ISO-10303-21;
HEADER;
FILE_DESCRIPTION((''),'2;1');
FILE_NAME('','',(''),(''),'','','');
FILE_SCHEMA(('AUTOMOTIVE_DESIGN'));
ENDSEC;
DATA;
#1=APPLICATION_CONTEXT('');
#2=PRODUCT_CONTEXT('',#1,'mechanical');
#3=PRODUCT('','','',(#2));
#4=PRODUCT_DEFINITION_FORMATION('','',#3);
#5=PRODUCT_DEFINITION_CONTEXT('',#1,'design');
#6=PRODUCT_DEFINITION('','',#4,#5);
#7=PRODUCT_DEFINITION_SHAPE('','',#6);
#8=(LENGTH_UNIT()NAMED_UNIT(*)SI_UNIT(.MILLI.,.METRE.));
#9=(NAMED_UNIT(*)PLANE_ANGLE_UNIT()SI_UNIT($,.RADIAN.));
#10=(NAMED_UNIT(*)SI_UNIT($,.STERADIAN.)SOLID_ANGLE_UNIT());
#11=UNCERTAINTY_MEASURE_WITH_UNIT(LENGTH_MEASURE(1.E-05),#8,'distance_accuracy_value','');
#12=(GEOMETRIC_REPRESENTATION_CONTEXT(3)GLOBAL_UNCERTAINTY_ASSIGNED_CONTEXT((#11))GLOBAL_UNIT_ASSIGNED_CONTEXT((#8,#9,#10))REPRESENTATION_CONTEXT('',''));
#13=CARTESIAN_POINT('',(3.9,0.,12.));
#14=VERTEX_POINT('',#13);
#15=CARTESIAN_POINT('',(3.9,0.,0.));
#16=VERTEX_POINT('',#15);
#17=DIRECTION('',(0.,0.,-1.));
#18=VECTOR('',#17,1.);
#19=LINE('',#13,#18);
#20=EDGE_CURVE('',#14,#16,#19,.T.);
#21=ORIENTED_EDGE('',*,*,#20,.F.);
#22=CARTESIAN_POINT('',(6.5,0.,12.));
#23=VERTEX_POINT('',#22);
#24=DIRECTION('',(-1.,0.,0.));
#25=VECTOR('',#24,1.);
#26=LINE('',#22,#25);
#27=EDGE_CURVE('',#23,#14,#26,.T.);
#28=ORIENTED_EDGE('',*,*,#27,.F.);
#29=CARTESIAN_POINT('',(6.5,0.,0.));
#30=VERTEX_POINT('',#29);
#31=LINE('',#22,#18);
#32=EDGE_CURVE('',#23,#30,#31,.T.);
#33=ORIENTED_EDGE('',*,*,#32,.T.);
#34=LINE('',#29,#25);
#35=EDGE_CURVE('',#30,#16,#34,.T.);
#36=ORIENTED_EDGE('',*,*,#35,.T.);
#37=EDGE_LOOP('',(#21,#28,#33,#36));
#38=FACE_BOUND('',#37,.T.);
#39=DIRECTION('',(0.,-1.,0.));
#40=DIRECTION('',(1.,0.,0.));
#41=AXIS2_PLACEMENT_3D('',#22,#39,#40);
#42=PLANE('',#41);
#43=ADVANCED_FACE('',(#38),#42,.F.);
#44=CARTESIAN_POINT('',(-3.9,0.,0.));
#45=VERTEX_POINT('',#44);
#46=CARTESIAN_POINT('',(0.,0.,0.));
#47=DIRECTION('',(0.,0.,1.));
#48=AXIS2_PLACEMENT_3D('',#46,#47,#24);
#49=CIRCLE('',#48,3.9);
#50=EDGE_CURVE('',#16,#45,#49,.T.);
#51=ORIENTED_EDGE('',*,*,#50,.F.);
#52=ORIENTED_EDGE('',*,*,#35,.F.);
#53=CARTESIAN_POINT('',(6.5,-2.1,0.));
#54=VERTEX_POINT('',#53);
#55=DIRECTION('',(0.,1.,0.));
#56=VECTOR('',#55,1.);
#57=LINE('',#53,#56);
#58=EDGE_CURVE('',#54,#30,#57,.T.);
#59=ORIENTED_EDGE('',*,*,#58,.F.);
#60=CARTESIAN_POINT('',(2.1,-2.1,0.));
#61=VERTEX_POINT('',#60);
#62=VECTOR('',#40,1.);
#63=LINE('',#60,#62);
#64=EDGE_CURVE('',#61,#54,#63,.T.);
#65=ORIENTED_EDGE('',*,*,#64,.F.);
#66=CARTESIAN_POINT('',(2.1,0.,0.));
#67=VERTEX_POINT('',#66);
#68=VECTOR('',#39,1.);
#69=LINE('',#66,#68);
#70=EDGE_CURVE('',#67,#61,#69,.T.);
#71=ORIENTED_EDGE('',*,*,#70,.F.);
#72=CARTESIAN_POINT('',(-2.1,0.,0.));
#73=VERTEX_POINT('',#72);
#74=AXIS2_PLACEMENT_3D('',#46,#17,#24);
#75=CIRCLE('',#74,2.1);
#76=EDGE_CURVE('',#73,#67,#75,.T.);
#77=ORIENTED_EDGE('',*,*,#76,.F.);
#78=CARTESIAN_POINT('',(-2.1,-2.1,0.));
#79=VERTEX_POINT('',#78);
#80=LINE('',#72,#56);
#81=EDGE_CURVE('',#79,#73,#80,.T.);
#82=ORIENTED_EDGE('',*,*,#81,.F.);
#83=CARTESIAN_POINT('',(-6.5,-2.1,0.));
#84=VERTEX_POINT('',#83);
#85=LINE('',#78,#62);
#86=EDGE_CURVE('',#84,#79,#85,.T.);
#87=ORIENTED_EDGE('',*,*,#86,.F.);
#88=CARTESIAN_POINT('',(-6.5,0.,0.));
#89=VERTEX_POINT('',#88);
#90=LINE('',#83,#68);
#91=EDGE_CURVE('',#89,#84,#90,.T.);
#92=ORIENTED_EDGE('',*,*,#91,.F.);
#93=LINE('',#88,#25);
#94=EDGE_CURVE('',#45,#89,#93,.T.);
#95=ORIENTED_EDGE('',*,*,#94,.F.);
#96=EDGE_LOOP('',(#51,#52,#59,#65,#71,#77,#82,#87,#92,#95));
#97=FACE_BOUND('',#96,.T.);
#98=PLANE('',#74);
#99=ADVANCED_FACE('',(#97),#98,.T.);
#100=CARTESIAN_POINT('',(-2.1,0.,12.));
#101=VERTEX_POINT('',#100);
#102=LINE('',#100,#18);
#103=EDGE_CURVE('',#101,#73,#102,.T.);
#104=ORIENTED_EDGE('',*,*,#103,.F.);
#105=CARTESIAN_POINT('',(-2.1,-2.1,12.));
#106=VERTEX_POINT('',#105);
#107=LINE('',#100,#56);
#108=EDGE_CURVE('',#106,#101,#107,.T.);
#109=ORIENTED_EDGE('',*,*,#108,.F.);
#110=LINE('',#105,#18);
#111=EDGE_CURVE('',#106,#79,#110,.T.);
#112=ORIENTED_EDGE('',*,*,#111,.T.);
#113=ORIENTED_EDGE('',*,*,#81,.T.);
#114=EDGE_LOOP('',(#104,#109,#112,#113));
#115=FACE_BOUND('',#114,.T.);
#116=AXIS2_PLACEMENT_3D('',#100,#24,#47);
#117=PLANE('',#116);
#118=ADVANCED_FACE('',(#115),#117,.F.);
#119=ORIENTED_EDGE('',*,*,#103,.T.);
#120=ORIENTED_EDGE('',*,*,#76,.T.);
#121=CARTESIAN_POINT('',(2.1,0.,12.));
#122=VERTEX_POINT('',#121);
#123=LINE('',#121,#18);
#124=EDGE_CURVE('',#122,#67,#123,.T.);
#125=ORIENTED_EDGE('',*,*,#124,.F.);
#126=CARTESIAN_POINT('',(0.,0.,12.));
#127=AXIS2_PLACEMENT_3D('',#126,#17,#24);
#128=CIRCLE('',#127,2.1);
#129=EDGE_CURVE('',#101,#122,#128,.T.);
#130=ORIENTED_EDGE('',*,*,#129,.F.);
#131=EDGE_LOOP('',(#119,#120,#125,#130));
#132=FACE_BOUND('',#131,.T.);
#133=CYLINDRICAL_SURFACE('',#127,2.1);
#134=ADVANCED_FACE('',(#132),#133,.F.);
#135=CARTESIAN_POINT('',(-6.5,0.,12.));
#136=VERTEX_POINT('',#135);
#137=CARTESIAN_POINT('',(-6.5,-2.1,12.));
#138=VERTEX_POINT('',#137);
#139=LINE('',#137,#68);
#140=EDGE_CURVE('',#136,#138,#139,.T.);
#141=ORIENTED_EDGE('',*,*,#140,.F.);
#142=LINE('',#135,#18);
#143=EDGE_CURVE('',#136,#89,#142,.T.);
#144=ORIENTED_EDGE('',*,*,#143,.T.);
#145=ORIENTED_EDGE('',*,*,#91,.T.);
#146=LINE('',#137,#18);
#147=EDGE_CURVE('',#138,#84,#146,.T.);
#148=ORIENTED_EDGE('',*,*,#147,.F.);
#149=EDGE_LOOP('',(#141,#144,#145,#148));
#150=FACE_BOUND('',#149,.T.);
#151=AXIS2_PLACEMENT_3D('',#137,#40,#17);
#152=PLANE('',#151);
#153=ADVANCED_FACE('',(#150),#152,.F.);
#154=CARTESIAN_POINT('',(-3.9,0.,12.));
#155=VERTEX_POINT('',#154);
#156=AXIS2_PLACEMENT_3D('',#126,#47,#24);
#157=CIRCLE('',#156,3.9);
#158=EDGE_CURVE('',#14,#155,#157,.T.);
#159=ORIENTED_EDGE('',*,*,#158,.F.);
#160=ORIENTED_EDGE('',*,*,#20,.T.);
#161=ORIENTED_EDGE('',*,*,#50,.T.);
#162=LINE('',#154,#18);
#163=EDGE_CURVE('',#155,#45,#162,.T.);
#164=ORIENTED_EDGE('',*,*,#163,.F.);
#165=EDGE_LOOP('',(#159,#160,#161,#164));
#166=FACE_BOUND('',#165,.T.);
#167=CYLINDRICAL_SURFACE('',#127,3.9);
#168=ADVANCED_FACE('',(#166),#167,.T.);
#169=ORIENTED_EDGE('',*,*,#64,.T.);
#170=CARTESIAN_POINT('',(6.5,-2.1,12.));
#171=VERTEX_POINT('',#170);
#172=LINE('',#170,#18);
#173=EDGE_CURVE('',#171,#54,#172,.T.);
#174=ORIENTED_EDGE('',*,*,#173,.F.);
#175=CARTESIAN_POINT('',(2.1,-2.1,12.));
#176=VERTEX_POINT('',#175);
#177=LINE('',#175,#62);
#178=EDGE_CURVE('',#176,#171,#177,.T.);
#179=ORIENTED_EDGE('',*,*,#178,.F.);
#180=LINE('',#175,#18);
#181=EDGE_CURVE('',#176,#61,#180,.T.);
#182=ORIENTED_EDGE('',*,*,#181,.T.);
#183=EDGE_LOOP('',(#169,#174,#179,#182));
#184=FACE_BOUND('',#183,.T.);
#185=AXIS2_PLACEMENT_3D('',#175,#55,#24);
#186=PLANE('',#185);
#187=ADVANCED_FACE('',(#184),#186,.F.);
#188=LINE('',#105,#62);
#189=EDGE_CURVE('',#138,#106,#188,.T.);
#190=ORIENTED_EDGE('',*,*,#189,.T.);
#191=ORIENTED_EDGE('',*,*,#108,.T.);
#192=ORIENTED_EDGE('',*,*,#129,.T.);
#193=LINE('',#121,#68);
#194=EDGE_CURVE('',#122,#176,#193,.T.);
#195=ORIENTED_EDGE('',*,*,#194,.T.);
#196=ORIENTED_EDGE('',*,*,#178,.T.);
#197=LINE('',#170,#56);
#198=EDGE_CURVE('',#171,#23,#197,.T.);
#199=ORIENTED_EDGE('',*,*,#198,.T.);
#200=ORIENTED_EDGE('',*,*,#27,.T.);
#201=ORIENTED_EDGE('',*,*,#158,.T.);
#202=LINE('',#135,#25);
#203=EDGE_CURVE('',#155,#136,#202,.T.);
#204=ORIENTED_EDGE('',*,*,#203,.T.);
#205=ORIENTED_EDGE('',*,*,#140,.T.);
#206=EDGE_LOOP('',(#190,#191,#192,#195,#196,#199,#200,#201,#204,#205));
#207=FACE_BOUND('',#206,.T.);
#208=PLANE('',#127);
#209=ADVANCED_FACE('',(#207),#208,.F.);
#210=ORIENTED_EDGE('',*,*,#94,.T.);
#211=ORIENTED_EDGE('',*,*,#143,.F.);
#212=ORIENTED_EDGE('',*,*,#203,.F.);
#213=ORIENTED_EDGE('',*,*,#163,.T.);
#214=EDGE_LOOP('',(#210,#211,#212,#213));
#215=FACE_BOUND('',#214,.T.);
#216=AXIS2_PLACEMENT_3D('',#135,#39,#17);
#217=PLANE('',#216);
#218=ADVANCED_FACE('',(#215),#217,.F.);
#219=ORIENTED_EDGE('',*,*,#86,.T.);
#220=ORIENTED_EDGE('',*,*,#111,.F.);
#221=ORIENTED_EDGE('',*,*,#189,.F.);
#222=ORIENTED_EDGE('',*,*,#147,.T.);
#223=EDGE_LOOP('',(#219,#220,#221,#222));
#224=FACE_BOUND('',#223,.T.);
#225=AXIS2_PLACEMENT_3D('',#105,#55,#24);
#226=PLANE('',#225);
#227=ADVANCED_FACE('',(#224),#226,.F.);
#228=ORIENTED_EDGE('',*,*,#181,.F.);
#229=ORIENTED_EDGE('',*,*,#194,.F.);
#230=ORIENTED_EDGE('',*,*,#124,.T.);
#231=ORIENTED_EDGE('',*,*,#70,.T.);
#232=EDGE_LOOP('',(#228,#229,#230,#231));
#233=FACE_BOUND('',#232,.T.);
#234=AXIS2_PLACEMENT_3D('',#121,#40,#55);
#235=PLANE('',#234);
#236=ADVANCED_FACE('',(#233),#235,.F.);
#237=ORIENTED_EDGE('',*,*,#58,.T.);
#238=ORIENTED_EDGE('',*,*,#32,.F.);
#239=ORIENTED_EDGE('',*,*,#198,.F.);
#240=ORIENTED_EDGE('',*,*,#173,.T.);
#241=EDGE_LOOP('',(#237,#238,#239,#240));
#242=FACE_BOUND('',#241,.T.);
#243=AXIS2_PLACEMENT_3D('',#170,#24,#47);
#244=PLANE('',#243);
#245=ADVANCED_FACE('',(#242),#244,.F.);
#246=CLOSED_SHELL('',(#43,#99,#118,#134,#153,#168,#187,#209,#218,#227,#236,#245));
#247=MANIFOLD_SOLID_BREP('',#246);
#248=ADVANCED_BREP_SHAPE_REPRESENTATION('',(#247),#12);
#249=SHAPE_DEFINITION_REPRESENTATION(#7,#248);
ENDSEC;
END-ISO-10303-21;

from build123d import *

# Parameters (mm, degrees)
BOSS_EXTRUDE1_DEPTH = 12


with BuildPart() as part:
    # Sketch1 → Boss-Extrude1 (new body)
    with BuildSketch(Plane.XY):
        with BuildLine():
            Line((-2.1, 0), (-2.1, -2.1))
            Line((-2.1, -2.1), (-6.5, -2.1))
            Line((-6.5, -2.1), (-6.5, 0))
            Line((-6.5, 0), (-3.9, 0))
            ThreePointArc((-3.9, 0), (0, 3.9), (3.9, 0))
            Line((3.9, 0), (6.5, 0))
            Line((6.5, 0), (6.5, -2.1))
            Line((6.5, -2.1), (2.1, -2.1))
            Line((2.1, -2.1), (2.1, 0))
            ThreePointArc((2.1, 0), (0, 2.1), (-2.1, 0))
        make_face()
    extrude(amount=BOSS_EXTRUDE1_DEPTH)


solid = part.part
